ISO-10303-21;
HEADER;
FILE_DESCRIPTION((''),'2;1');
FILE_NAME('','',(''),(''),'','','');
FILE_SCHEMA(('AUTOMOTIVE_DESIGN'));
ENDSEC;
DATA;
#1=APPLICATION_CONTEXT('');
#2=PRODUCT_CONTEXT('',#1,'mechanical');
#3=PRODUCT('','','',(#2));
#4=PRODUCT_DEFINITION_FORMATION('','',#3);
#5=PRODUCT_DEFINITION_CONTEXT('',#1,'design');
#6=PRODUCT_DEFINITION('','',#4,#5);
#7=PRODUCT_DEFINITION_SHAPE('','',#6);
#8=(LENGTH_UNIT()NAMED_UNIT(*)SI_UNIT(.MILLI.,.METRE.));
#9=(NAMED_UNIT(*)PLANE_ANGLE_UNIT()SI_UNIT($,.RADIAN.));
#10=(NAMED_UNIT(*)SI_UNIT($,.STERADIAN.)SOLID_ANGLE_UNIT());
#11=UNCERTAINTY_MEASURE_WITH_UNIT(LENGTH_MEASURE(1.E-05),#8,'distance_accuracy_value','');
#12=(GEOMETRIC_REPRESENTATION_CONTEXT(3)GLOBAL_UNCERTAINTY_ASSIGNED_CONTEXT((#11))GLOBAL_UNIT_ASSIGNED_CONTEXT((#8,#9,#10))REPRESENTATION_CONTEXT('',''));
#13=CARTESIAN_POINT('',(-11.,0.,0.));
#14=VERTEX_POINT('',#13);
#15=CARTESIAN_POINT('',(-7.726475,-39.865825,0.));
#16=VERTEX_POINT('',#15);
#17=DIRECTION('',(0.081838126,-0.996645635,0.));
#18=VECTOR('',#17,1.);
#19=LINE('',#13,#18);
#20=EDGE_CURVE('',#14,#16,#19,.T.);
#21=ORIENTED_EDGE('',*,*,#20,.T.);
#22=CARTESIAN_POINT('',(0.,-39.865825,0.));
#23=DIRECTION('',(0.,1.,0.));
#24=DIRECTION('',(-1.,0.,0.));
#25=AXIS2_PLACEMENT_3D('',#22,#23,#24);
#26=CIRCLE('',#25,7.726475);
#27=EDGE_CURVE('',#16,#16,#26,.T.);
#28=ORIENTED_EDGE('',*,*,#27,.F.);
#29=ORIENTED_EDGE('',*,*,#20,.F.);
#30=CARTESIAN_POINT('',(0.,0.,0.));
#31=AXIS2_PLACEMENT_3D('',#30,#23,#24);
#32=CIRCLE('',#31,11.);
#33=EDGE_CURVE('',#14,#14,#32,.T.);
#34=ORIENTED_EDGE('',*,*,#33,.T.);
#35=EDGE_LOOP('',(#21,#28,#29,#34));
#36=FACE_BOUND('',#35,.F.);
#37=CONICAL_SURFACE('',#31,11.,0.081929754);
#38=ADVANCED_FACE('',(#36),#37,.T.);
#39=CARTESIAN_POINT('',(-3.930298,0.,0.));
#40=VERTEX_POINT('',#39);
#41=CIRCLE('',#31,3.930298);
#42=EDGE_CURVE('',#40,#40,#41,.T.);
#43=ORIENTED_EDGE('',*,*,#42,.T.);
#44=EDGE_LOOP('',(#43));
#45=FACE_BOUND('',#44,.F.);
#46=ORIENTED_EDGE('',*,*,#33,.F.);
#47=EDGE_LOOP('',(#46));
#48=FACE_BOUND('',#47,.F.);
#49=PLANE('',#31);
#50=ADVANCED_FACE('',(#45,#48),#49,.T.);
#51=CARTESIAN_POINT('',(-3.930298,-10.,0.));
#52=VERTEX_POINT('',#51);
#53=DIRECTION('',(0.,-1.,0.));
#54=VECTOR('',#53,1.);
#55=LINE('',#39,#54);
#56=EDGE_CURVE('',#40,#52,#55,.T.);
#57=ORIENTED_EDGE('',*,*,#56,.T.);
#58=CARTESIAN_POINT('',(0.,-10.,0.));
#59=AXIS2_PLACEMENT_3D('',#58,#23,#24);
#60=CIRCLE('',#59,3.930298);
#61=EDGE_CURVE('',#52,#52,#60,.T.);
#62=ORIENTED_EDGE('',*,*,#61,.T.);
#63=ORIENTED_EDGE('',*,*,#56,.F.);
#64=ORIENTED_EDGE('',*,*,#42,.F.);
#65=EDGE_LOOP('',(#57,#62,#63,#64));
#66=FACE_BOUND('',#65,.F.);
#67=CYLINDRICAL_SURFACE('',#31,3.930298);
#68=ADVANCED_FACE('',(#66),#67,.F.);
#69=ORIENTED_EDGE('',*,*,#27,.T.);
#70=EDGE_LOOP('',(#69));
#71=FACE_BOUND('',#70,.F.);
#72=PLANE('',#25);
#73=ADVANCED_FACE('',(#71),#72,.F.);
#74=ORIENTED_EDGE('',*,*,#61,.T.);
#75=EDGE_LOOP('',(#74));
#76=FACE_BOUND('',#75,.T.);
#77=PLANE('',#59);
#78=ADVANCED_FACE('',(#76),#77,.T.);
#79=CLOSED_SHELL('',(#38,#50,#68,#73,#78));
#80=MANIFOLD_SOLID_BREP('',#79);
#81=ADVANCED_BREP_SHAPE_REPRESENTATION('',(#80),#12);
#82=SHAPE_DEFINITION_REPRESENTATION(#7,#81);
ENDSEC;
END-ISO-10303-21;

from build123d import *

# Parameters (mm, degrees)
F2_R     = 3.930298
F3_DEPTH = 10


with BuildPart() as f1:
    # F0 (on Top) → F1 (revolve)
    with BuildSketch(Plane.XY):
        Polygon((0, -39.865825), (0, 0), (-11, 0), (-7.726475, -39.865825), align=None)
    revolve(axis=Axis((0, -19.932913, 0), (0, 1, 0)))

    # F2 (on face) → F3 (cut)
    with BuildSketch(Plane(origin=(0, 0, 0), x_dir=(-1, 0, 0), z_dir=(0, 1, 0))):
        Circle(F2_R)
    extrude(amount=-F3_DEPTH, mode=Mode.SUBTRACT)


solid = f1.part
